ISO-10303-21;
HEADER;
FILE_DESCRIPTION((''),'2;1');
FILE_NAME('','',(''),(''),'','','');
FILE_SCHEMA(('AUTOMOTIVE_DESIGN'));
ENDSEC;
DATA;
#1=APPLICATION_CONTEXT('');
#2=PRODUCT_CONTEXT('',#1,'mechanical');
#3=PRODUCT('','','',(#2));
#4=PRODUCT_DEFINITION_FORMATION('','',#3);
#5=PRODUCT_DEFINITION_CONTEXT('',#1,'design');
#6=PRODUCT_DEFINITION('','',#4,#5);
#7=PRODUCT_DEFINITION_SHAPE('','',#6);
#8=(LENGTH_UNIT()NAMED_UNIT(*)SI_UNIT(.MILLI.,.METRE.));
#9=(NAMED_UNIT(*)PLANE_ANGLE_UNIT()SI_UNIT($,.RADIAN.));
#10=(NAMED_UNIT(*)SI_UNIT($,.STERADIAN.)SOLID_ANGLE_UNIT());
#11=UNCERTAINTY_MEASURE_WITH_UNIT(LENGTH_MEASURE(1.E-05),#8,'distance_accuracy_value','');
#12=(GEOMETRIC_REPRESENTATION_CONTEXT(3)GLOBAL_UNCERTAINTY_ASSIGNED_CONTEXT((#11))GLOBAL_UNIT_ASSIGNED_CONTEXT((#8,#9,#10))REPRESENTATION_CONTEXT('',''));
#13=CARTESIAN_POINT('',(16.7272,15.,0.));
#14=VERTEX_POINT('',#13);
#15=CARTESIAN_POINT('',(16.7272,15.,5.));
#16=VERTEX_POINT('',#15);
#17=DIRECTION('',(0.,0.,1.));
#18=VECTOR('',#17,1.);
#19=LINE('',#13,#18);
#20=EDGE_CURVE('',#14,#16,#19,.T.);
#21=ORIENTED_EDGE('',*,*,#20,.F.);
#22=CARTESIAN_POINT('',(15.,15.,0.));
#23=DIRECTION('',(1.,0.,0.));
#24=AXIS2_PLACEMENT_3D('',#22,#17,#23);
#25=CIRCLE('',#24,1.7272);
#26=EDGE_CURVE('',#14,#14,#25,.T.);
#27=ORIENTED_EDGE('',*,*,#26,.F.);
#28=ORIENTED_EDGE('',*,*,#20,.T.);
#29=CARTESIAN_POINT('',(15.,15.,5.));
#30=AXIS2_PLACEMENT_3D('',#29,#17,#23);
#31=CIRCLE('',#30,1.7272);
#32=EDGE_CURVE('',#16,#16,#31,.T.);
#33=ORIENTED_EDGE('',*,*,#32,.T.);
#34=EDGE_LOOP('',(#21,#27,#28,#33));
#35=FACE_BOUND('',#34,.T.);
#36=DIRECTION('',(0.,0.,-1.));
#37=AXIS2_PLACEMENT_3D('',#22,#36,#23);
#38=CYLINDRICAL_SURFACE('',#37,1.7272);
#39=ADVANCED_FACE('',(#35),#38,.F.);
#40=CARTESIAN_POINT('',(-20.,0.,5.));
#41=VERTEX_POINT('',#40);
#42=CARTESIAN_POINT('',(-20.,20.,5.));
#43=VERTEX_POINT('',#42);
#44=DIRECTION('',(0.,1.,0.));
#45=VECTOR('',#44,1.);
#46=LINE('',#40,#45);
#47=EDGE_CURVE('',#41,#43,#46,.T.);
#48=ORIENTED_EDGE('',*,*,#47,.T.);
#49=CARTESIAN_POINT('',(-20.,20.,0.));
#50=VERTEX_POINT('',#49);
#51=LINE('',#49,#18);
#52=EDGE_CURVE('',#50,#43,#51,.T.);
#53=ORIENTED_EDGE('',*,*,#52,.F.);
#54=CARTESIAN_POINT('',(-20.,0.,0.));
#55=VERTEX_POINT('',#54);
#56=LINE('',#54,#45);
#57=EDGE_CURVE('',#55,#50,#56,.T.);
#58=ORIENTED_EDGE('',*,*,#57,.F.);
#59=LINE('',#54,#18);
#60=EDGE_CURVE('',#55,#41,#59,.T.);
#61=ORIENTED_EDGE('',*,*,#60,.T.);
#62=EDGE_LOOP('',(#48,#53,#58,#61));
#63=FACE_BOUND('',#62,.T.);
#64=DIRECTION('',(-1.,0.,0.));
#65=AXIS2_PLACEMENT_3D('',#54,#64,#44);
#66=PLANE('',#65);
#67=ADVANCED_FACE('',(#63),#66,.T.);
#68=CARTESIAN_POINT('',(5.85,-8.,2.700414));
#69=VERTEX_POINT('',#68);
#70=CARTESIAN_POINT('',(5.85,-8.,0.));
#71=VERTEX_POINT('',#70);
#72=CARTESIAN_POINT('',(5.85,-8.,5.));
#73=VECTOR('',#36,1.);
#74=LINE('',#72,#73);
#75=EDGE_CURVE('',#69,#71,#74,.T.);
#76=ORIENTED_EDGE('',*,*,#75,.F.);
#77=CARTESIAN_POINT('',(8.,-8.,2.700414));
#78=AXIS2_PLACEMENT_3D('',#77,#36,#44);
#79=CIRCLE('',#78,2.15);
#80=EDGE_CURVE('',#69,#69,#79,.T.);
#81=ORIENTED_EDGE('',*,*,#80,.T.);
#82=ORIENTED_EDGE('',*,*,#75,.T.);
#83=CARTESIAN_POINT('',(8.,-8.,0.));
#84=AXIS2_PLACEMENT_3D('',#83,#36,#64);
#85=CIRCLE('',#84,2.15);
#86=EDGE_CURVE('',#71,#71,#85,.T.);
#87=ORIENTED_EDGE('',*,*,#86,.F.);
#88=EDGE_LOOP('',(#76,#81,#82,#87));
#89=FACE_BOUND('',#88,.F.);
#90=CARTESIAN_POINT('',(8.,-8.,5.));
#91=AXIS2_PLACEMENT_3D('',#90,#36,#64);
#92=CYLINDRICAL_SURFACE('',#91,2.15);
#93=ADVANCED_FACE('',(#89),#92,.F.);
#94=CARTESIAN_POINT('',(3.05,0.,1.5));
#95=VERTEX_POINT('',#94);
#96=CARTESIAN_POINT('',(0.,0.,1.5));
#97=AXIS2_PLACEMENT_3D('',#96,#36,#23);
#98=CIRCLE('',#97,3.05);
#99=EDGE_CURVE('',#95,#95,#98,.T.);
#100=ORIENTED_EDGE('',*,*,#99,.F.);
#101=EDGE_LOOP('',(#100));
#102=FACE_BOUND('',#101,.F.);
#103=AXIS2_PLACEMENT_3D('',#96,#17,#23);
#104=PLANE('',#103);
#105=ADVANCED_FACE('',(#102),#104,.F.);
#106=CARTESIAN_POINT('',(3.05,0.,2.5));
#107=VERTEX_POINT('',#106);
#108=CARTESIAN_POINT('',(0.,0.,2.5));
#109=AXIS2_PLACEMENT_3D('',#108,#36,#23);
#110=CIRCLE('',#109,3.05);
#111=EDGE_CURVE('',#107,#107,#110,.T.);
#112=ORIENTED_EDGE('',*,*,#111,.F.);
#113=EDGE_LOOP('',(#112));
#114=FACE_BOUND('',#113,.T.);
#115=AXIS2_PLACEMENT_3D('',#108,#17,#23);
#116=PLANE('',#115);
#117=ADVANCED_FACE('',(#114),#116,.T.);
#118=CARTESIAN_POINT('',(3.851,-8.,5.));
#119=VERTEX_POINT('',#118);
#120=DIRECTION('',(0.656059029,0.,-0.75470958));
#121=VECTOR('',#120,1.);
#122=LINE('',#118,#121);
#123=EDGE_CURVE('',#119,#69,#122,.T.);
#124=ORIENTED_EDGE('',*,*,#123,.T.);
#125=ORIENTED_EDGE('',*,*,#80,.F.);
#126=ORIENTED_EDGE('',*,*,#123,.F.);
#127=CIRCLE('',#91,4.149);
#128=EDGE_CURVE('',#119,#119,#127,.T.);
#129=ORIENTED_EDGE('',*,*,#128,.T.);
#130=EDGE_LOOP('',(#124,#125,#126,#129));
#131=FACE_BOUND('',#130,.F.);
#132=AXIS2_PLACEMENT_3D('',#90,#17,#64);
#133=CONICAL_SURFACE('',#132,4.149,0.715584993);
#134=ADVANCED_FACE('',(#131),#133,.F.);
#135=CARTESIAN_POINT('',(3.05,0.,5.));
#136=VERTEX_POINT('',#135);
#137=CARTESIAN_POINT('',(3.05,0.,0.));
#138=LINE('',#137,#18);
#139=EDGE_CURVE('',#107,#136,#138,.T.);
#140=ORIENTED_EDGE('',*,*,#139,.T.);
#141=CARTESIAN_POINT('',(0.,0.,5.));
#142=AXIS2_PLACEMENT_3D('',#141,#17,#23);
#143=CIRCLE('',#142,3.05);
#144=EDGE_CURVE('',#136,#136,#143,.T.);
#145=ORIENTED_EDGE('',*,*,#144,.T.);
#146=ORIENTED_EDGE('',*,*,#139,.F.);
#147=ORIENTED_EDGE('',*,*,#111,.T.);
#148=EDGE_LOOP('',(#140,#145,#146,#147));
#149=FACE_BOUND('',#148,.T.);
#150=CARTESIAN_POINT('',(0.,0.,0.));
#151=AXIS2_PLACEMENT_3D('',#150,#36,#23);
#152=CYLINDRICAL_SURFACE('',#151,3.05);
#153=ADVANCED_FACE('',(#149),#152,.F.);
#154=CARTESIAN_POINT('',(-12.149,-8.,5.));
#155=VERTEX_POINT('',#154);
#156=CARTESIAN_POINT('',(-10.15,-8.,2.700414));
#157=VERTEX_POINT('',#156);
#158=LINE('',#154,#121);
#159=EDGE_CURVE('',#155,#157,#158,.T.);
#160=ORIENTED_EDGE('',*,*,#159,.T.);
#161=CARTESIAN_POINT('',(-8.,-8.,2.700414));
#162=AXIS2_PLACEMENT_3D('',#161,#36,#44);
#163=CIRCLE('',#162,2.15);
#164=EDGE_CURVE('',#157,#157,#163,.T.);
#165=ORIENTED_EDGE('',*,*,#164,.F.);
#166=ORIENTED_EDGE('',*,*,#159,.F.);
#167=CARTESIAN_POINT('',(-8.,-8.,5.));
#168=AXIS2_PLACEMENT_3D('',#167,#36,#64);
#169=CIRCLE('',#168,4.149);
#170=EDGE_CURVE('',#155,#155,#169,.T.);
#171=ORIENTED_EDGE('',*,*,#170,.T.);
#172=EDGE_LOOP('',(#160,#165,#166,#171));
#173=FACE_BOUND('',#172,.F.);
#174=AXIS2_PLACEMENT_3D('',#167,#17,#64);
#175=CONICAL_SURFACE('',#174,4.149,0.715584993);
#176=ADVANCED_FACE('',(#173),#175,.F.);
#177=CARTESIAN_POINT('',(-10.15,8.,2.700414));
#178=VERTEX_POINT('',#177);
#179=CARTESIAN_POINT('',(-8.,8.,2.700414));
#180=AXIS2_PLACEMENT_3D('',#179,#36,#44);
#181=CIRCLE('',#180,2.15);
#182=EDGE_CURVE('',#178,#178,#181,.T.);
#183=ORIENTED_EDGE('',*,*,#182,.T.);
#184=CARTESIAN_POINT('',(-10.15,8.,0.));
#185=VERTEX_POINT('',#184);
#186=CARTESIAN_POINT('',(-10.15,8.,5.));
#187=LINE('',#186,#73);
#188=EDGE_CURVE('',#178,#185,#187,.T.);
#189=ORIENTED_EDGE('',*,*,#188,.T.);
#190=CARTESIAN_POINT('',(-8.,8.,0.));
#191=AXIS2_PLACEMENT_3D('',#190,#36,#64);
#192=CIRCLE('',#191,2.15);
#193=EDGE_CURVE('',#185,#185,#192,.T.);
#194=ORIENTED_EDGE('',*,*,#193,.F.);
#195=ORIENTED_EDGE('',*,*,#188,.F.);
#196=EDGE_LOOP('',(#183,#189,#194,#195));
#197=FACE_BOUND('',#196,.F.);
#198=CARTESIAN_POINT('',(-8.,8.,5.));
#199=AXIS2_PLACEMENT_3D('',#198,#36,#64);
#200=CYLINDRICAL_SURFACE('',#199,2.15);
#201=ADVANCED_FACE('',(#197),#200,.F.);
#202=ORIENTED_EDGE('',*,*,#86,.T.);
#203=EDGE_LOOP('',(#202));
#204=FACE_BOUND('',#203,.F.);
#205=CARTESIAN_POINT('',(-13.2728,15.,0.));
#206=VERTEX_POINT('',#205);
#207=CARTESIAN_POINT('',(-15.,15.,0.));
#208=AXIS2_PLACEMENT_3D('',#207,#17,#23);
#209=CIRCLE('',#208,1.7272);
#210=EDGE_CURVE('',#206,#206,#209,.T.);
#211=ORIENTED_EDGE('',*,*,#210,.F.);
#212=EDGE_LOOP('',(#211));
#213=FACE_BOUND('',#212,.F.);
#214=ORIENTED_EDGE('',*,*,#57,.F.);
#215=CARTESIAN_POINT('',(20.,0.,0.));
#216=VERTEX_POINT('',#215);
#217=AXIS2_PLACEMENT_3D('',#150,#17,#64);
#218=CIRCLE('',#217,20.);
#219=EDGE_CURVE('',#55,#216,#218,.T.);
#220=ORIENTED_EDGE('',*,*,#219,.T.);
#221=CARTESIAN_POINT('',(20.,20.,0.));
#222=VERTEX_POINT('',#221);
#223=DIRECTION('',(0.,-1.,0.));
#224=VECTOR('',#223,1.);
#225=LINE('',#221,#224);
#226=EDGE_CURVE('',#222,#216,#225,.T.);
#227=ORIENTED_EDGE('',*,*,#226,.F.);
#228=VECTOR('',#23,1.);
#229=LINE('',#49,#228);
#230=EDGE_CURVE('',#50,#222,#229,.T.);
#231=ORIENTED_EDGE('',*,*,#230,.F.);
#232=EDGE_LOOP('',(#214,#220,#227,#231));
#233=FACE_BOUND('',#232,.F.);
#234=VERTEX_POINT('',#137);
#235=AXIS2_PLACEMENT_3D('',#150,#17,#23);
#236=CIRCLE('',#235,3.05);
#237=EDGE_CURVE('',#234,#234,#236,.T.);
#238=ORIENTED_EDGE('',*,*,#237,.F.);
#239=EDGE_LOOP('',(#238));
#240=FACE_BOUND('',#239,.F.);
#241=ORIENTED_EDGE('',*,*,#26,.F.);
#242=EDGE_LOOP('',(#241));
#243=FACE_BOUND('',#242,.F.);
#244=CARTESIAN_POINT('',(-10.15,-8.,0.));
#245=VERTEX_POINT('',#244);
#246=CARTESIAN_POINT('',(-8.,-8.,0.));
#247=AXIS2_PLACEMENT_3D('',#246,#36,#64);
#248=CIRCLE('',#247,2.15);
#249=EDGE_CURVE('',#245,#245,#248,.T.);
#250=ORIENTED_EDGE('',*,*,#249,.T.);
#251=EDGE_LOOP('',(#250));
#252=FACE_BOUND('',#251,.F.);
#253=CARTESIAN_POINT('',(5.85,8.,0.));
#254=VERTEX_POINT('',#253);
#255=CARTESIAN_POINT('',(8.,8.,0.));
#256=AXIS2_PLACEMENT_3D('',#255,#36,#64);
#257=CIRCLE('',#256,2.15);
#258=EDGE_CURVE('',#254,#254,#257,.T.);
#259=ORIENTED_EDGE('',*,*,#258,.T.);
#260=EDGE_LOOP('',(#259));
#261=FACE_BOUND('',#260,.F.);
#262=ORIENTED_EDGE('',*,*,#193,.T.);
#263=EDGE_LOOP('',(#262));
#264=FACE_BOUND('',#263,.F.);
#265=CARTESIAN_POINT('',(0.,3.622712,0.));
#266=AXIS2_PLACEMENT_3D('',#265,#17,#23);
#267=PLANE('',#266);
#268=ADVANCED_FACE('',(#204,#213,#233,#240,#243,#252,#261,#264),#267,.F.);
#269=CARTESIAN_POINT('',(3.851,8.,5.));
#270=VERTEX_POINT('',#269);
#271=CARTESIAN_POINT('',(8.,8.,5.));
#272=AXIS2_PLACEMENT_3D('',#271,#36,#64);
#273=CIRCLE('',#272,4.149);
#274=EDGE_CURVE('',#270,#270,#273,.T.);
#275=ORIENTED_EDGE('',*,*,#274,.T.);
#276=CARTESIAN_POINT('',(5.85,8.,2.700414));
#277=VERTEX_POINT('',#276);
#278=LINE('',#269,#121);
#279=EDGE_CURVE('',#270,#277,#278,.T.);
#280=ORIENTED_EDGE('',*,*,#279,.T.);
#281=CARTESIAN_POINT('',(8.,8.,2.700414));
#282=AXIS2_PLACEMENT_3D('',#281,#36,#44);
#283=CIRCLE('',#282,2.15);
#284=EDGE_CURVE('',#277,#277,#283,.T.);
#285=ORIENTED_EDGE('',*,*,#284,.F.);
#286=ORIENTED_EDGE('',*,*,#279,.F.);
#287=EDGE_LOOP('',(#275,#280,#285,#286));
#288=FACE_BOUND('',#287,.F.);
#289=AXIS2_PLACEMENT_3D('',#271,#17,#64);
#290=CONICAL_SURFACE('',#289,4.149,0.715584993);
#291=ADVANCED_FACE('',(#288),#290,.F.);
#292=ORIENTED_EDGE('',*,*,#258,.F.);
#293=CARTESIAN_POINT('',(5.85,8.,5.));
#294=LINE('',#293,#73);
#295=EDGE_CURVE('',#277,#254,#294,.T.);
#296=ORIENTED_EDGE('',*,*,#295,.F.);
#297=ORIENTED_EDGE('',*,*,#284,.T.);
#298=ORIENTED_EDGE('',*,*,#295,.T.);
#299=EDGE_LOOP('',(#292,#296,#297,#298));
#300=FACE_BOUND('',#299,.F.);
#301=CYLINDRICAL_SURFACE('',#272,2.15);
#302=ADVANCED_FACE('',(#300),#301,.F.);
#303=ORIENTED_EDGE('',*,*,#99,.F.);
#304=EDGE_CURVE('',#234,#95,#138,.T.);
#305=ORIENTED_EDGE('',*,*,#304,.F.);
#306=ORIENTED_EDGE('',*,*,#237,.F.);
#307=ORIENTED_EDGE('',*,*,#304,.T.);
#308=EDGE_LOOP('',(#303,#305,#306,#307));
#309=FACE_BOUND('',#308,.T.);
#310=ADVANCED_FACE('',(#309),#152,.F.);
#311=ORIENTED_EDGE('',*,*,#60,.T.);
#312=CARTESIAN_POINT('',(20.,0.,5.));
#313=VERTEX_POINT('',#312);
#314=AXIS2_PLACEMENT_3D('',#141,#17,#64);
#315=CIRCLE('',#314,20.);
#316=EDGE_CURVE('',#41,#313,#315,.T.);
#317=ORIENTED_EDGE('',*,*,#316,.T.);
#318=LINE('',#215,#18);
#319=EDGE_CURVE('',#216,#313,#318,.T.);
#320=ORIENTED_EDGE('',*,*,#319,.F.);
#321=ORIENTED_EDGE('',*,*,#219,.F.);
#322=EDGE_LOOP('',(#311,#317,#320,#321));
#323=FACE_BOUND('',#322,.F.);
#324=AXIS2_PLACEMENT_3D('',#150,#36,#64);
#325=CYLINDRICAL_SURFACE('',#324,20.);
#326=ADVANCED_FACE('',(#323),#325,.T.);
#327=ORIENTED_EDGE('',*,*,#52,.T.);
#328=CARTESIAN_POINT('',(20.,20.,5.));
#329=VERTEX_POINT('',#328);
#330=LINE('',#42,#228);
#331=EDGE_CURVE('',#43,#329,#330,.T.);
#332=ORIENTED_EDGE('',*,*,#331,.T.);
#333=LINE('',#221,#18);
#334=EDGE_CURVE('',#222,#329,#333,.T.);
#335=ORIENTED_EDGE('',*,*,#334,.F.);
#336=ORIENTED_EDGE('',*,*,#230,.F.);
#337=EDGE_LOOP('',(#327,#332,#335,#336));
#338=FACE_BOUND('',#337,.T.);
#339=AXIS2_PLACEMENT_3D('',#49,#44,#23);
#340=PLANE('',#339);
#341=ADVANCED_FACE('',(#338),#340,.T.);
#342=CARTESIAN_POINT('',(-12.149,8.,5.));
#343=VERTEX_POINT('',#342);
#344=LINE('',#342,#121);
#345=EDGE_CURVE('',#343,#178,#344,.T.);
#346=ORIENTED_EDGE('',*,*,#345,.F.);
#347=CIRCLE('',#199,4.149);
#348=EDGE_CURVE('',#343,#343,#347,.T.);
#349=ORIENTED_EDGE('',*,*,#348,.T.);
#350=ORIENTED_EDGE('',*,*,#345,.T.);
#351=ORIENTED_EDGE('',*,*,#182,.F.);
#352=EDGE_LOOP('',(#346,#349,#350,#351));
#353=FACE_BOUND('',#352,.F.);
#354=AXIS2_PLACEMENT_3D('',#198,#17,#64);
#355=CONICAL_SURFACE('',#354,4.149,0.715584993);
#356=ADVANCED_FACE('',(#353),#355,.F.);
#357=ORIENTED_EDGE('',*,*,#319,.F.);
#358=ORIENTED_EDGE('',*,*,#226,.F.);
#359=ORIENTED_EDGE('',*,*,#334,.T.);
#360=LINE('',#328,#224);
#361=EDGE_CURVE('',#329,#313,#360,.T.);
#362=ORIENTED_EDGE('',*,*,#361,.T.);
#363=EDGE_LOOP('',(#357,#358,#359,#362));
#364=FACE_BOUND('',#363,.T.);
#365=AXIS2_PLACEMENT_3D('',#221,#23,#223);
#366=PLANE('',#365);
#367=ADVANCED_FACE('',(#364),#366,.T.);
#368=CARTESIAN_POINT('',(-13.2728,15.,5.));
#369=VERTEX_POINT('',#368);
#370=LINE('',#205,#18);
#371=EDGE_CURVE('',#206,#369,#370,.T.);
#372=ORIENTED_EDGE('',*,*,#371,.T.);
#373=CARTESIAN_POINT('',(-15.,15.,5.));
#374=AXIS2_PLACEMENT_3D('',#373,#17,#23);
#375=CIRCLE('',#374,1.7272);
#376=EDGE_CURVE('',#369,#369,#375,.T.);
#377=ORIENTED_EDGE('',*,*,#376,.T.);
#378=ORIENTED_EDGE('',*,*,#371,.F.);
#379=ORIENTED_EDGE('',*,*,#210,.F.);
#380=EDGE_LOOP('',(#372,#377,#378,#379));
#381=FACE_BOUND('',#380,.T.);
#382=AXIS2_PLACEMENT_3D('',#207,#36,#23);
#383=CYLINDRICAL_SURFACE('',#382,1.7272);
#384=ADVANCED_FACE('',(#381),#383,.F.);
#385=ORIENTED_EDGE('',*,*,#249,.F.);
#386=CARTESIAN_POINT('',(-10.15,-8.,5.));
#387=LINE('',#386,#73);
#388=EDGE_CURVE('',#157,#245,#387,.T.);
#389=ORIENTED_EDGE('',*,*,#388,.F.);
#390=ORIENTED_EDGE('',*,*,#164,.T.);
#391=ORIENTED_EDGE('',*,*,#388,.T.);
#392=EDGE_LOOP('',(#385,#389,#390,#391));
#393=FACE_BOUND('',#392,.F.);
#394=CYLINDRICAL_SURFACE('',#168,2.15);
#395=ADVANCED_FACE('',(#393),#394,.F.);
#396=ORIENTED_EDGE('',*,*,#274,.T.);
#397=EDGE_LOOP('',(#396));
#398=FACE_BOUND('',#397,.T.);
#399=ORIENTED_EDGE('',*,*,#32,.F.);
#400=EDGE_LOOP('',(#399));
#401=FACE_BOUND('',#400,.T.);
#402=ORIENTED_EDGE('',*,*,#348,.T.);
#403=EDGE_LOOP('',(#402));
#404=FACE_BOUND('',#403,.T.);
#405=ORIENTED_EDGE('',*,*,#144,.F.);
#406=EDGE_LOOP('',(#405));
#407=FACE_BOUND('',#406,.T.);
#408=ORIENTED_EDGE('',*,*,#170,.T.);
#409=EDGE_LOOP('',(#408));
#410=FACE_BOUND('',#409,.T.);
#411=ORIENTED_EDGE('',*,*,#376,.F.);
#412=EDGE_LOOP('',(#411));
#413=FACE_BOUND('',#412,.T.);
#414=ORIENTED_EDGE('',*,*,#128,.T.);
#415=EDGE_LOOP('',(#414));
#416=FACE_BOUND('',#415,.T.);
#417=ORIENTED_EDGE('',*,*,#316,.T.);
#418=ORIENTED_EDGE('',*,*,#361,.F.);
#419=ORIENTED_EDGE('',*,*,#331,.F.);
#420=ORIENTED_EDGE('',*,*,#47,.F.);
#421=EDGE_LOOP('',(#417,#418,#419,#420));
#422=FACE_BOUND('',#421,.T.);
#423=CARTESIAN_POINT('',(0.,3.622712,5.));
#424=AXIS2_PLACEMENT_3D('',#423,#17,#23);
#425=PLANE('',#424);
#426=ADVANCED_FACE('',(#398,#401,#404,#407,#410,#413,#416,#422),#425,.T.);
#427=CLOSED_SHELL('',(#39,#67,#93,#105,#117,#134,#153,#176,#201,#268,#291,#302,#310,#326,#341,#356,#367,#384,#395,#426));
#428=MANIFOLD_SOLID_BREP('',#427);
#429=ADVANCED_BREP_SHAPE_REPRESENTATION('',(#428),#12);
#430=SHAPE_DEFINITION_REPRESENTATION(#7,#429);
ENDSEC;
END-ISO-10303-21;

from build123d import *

# Parameters (mm, degrees)
SKETCH104_R         = 3.05
SKETCH104_R_2       = 1.7272
PAD063_DEPTH        = 5
HOLE008_D           = 4.3
HOLE008_CSINK_D     = 8.298
HOLE008_CSINK_ANGLE = 82
SKETCH106_R         = 3.5
PAD064_DEPTH        = 1


with BuildPart() as part:
    # Sketch104 → Pad063 (new body)
    with BuildSketch(Plane.XY):
        with BuildLine():
            ThreePointArc((-20, 0), (0, -20), (20, 0))
            Line((20, 20), (20, 0))
            Line((-20, 20), (20, 20))
            Line((-20, 0), (-20, 20))
        make_face()
        Circle(SKETCH104_R, mode=Mode.SUBTRACT)
        with Locations((-15, 15)):
            Circle(SKETCH104_R_2, mode=Mode.SUBTRACT)
        with Locations((15, 15)):
            Circle(SKETCH104_R_2, mode=Mode.SUBTRACT)
    extrude(amount=PAD063_DEPTH)

    # Hole008 (through all)
    with Locations(Plane.XY.offset(5)):
        with Locations((-8, 8), (8, 8), (8, -8), (-8, -8)):
            CounterSinkHole(HOLE008_D / 2, HOLE008_CSINK_D / 2, counter_sink_angle=HOLE008_CSINK_ANGLE)

    # Sketch106 → Pad064 (join)
    with BuildSketch(Plane.XY.offset(1.5)):
        Circle(SKETCH106_R)
    extrude(amount=PAD064_DEPTH)


solid = part.part
